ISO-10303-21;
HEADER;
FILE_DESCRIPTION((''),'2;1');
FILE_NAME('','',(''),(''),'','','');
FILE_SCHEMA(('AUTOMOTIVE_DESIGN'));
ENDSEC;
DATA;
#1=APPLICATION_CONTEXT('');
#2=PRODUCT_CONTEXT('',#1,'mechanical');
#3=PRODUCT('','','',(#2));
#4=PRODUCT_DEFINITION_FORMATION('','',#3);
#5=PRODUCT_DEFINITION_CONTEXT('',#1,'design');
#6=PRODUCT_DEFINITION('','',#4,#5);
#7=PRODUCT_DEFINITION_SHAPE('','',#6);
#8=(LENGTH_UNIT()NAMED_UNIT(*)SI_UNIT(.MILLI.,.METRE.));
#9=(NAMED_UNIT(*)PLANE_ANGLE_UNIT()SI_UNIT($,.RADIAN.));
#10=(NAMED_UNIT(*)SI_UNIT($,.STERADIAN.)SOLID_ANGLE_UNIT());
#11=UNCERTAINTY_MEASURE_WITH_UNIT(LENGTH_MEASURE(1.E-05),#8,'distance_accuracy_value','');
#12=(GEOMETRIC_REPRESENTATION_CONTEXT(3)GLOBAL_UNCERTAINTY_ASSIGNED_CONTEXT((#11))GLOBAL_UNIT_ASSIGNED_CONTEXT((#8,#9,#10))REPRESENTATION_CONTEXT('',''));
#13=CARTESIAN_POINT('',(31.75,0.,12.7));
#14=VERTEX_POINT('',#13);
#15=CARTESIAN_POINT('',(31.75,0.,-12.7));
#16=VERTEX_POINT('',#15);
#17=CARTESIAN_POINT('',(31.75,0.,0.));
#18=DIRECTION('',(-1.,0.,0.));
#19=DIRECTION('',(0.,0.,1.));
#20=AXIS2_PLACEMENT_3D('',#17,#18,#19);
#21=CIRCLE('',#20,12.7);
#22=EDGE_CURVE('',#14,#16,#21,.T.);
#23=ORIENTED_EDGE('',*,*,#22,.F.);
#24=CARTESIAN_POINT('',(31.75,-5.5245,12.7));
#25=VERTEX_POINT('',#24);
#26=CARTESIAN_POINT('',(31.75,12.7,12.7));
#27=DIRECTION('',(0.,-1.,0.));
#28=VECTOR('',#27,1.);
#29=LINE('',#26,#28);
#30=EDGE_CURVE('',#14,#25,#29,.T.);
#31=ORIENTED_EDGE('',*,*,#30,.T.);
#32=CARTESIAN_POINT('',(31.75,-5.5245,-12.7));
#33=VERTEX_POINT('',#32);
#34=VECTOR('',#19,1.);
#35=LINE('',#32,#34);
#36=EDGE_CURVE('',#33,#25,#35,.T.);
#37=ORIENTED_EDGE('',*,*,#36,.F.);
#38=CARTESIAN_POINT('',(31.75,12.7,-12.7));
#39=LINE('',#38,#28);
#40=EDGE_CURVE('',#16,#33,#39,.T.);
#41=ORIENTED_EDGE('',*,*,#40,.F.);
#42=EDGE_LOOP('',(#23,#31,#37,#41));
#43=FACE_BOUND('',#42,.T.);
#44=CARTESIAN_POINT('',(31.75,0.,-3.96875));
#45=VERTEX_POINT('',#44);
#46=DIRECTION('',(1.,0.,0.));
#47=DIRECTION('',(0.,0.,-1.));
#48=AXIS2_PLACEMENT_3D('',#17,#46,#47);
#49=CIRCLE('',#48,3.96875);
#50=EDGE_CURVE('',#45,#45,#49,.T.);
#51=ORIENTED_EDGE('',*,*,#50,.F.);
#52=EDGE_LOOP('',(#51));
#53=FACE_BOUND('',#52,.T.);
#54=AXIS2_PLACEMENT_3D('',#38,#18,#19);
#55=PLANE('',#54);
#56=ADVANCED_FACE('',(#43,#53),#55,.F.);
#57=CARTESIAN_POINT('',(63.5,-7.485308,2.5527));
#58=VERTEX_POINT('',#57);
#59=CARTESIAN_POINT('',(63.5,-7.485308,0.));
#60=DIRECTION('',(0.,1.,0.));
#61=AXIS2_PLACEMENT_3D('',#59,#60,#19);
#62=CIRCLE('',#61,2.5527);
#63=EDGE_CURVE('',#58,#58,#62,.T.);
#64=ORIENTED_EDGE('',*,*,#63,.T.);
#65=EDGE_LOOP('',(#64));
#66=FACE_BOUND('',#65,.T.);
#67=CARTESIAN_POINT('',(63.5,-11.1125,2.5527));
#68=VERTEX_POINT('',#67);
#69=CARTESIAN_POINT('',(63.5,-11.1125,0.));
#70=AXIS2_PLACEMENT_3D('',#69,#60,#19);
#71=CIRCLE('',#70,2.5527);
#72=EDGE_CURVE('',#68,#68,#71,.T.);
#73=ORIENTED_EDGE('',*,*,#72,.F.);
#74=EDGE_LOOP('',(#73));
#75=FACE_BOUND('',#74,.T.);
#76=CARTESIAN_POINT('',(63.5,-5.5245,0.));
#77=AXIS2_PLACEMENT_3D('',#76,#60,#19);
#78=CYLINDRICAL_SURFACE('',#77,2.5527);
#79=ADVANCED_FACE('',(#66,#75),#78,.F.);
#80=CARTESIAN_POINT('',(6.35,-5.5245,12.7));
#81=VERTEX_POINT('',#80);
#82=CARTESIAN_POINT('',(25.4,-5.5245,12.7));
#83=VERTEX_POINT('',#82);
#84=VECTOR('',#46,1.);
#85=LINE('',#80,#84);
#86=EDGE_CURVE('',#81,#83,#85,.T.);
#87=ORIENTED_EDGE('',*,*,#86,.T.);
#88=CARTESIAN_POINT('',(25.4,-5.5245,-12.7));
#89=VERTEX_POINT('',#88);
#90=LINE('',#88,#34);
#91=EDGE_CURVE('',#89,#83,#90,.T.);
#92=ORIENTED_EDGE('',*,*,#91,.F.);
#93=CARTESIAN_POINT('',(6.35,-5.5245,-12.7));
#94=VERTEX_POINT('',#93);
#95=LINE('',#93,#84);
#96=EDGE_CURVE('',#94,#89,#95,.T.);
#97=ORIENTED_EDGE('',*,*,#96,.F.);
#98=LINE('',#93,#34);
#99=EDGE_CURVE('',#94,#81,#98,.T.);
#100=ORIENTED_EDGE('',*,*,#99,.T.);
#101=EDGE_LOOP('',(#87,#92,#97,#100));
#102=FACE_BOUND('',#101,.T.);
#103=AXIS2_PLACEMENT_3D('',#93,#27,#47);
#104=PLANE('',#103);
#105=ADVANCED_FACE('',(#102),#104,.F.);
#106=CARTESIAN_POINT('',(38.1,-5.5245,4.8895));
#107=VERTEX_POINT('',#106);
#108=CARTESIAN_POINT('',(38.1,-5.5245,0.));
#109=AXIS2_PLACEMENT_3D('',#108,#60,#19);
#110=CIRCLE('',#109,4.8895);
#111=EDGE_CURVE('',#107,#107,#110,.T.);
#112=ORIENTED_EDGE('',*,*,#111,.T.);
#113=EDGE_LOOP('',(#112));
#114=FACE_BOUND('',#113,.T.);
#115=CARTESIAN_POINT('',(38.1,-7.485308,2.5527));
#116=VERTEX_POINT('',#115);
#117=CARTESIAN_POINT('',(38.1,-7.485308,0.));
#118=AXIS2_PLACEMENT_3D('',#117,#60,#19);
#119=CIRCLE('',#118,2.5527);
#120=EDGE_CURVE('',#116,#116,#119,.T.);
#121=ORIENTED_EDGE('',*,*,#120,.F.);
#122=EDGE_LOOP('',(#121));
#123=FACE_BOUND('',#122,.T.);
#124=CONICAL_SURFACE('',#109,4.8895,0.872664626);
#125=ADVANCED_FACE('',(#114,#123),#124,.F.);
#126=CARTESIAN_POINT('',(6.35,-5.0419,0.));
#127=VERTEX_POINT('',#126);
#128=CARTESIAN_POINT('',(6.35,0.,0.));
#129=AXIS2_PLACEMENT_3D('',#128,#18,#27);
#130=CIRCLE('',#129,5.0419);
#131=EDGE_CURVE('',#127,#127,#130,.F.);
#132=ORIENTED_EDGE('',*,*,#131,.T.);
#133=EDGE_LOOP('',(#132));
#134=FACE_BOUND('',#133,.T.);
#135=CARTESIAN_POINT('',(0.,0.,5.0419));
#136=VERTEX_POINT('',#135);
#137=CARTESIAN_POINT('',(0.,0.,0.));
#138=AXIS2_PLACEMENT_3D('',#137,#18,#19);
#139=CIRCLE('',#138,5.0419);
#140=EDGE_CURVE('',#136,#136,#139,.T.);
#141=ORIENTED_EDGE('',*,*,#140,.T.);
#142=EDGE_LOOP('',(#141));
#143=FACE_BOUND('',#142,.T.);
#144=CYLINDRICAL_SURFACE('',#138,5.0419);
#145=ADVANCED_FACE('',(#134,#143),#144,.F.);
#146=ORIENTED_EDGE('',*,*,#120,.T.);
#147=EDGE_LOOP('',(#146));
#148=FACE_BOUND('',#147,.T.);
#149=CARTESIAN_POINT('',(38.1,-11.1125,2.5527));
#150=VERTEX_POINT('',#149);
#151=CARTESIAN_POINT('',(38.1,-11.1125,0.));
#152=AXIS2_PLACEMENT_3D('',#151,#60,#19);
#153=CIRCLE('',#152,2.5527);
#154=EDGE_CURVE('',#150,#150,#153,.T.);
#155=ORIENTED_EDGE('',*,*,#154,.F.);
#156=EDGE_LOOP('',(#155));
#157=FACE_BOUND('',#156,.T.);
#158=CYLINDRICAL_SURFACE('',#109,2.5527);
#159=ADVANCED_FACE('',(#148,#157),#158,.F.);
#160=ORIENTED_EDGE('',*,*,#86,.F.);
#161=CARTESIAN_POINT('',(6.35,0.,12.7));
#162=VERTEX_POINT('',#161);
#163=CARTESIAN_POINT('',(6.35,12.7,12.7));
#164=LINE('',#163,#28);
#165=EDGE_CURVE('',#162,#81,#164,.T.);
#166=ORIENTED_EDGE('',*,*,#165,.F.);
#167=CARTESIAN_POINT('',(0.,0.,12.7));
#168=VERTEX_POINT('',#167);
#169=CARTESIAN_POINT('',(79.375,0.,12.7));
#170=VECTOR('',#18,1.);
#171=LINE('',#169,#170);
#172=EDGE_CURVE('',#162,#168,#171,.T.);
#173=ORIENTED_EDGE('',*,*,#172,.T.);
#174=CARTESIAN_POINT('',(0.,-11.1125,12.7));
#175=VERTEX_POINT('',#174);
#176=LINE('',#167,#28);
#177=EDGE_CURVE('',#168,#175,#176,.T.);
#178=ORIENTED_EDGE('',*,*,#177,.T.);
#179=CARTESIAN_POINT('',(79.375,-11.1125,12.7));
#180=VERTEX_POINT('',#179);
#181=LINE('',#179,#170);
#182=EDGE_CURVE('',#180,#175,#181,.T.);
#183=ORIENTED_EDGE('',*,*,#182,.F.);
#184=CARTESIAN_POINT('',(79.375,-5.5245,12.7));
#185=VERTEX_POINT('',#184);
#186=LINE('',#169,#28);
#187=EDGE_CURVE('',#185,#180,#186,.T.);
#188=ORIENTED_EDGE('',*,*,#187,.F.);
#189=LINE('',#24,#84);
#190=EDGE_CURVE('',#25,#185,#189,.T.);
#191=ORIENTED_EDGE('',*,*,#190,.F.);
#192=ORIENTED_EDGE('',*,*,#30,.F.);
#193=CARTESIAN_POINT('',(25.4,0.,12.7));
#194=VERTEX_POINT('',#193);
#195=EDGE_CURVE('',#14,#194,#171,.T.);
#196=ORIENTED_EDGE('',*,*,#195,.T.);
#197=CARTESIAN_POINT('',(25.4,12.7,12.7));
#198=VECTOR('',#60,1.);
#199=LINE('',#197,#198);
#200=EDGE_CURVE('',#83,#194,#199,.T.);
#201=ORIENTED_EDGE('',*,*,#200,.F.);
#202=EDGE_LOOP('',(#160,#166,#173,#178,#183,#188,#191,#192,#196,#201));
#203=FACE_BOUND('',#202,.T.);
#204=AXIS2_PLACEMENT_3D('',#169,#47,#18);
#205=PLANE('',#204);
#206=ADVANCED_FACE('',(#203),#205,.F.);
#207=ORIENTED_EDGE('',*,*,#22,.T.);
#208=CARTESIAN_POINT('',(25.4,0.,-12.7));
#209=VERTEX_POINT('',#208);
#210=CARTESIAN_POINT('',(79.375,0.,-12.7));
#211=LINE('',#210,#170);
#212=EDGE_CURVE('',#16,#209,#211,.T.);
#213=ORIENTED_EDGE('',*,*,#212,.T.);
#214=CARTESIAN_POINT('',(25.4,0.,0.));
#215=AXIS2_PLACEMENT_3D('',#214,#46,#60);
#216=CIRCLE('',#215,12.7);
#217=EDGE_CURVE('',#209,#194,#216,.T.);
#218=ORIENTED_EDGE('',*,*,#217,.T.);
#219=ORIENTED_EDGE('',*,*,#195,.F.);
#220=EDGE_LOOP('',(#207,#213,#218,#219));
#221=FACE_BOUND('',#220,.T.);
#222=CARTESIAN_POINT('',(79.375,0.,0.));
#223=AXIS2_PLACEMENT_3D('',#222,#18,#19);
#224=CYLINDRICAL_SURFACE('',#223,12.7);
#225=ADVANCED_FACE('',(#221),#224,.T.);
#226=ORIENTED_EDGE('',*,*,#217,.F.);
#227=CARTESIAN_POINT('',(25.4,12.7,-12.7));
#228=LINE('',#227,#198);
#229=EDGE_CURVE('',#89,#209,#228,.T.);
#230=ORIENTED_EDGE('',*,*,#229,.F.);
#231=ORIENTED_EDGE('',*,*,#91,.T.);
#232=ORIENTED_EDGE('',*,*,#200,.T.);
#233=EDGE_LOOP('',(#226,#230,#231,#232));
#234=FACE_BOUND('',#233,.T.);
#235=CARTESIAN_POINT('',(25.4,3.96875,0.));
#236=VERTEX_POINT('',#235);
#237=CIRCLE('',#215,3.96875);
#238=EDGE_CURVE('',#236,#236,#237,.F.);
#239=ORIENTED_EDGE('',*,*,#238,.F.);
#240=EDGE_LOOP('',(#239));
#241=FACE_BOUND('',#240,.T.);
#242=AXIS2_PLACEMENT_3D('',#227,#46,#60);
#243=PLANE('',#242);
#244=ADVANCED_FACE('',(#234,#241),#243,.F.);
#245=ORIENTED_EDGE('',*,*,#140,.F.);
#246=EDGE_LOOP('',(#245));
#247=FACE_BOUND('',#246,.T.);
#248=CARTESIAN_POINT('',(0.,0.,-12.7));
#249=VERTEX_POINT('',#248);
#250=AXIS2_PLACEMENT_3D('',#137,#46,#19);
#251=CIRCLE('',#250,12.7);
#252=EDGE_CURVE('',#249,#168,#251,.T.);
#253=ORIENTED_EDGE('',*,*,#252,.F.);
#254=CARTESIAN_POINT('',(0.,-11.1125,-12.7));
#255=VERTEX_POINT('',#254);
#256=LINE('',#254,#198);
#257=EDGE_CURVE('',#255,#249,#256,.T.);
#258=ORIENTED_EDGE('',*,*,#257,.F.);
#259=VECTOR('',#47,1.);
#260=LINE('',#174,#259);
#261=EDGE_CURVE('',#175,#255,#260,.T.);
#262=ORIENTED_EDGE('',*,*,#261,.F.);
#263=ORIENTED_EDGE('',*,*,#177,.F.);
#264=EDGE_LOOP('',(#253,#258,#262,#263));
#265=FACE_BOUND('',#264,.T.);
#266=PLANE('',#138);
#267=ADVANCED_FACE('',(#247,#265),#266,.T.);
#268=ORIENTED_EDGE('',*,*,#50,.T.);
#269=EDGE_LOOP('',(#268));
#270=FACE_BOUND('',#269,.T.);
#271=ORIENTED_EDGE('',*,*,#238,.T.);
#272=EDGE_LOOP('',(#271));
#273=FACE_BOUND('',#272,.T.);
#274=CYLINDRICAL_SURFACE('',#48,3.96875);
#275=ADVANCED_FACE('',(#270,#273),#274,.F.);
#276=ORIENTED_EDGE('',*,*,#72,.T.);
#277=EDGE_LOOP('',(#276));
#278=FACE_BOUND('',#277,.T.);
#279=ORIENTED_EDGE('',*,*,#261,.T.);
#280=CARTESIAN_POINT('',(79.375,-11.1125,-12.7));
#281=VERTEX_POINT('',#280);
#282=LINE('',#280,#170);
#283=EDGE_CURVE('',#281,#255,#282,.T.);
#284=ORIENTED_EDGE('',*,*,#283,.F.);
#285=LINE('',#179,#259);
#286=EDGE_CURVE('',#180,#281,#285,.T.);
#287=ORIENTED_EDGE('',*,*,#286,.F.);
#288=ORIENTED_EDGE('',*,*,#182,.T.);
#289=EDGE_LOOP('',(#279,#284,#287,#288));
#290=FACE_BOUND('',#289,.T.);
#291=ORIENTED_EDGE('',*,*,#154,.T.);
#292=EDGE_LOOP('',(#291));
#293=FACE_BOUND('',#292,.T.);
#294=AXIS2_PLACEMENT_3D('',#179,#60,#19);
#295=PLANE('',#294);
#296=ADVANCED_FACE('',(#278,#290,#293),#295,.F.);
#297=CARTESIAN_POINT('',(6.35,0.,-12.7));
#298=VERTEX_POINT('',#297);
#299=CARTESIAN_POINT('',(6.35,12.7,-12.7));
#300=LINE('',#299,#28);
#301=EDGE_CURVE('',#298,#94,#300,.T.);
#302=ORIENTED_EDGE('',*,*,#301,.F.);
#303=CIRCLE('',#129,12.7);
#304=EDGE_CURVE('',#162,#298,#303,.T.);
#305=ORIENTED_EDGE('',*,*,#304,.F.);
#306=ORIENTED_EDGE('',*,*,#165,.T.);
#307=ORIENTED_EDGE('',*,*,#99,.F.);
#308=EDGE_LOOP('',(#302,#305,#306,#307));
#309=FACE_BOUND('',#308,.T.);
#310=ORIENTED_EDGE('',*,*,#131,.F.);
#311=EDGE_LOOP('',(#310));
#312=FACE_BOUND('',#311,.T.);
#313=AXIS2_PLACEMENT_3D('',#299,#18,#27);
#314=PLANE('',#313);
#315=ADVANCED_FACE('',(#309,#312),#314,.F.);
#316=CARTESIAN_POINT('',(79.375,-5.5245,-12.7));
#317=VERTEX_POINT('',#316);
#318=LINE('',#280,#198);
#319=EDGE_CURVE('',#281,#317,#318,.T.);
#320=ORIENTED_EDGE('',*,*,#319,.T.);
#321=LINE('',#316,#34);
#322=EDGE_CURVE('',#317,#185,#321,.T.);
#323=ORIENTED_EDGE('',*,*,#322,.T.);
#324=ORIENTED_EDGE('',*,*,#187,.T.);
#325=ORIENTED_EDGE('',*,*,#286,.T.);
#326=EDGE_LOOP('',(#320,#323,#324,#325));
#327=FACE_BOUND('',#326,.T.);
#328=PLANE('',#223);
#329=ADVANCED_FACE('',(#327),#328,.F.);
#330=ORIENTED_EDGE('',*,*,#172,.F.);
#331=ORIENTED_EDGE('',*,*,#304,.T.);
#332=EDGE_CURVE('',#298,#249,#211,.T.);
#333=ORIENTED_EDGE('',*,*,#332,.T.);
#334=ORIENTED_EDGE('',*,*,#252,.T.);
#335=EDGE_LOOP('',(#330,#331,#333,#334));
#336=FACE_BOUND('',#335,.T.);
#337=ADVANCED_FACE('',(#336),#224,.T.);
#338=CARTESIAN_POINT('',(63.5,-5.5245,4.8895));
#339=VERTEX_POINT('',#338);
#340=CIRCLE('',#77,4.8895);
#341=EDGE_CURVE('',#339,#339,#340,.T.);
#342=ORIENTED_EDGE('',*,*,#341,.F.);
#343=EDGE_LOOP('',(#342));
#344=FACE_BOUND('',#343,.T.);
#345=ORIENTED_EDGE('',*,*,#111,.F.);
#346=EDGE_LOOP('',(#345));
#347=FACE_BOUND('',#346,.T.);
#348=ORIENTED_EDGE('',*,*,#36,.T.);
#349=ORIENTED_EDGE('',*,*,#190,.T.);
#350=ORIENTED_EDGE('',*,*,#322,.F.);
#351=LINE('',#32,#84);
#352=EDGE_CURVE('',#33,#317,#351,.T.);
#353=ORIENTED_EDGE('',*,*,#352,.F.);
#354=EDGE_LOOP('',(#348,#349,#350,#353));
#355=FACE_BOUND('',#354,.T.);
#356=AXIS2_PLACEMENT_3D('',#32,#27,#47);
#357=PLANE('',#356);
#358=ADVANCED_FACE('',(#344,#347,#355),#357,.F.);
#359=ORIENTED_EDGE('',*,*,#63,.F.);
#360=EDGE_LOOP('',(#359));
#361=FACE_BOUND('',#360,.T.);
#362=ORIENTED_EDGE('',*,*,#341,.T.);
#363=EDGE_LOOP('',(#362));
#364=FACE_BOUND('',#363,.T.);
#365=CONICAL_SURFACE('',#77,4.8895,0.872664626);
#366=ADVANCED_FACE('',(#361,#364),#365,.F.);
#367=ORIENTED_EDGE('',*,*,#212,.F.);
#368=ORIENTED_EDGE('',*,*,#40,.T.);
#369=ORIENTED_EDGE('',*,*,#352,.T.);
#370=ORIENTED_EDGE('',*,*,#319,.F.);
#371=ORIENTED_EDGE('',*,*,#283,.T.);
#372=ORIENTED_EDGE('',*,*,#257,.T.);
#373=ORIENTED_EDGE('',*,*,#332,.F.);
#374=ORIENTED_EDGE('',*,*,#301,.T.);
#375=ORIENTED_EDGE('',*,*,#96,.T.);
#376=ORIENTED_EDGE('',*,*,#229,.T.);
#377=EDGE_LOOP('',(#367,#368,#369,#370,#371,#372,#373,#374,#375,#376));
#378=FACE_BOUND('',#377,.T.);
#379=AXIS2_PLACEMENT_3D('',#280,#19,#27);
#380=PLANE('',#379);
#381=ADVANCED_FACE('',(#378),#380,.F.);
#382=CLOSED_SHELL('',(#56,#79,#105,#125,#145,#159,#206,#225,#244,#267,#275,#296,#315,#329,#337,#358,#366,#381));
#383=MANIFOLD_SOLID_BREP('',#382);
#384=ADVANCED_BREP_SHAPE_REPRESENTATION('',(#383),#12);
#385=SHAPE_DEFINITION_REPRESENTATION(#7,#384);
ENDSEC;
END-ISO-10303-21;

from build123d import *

# Parameters (mm, degrees)
SKETCH1_R                                          = 1.5875
BOSS_EXTRUDE1_DEPTH                                = 79.375
SKETCH2_W                                          = 19.05
SKETCH2_H                                          = 18.2245
SKETCH2_W_2                                        = 47.625
CUT_EXTRUDE1_DEPTH                                 = 85.302079601
CSK_FOR_10_FLAT_HEAD_MACHINE_SCREW_100_D           = 5.1054
CSK_FOR_10_FLAT_HEAD_MACHINE_SCREW_100_CSINK_D     = 9.779
CSK_FOR_10_FLAT_HEAD_MACHINE_SCREW_100_CSINK_ANGLE = 100
TAP_DRILL_FOR_3_8_16_TAP1_REACH                    = 52.899
TAP_DRILL_FOR_3_8_16_TAP1_BORE_R                   = 3.96875
F_3_8_CLEARANCE_HOLE1_REACH                        = 83.382
F_3_8_CLEARANCE_HOLE1_BORE_R                       = 5.0419


with BuildPart() as part:
    # Sketch1 → Boss-Extrude1 (new body)
    with BuildSketch(Plane(origin=(0, 0, 0), x_dir=(0, 0, -1), z_dir=(1, 0, 0))):
        with BuildLine():
            Line((-12.7, 0), (-12.7, -11.1125))
            Line((-12.7, -11.1125), (12.7, -11.1125))
            Line((12.7, -11.1125), (12.7, 0))
            ThreePointArc((12.7, 0), (0, 12.7), (-12.7, 0))
        make_face()
        with Locations(Location((0, 0, 0), (0, 0, 180))):
            Circle(SKETCH1_R, mode=Mode.SUBTRACT)
    extrude(amount=BOSS_EXTRUDE1_DEPTH)

    # Sketch2 → Cut-Extrude1 (cut, through all)
    with BuildSketch(Plane.XY.offset(12.7)):
        with Locations((15.875, 3.58775)):
            Rectangle(SKETCH2_W, SKETCH2_H)
        with Locations((55.5625, 3.58775)):
            Rectangle(SKETCH2_W_2, SKETCH2_H)
    extrude(amount=-CUT_EXTRUDE1_DEPTH, mode=Mode.SUBTRACT)

    # CSK for _10 Flat Head Machine Screw _100 (through all)
    with Locations(Plane(origin=(0, -5.5245, 0), x_dir=(1, 0, 0), z_dir=(0, 1, 0))):
        with Locations((38.1, 0), (63.5, 0)):
            CounterSinkHole(CSK_FOR_10_FLAT_HEAD_MACHINE_SCREW_100_D / 2, CSK_FOR_10_FLAT_HEAD_MACHINE_SCREW_100_CSINK_D / 2, counter_sink_angle=CSK_FOR_10_FLAT_HEAD_MACHINE_SCREW_100_CSINK_ANGLE)

    # Tap Drill for 3/8-16 Tap1 bore → Tap Drill for 3/8-16 Tap1 (cut, up to next)
    with BuildSketch(Plane(origin=(31.75, 0, 0), x_dir=(0, 0, -1), z_dir=(1, 0, 0)), mode=Mode.PRIVATE) as tap_drill_for_3_8_16_tap1_sk1:
        Circle(TAP_DRILL_FOR_3_8_16_TAP1_BORE_R)
    tap_drill_for_3_8_16_tap1_tool1 = extrude(tap_drill_for_3_8_16_tap1_sk1.sketch, amount=-TAP_DRILL_FOR_3_8_16_TAP1_REACH, mode=Mode.PRIVATE) & part.part
    add(tap_drill_for_3_8_16_tap1_tool1.solids().sort_by_distance((31.75, 0, 0))[0], mode=Mode.SUBTRACT)

    # 3/8 Clearance Hole1 bore → 3/8 Clearance Hole1 (cut, up to next)
    with BuildSketch(Plane.ZY, mode=Mode.PRIVATE) as f_3_8_clearance_hole1_sk1:
        Circle(F_3_8_CLEARANCE_HOLE1_BORE_R)
    f_3_8_clearance_hole1_tool1 = extrude(f_3_8_clearance_hole1_sk1.sketch, amount=-F_3_8_CLEARANCE_HOLE1_REACH, mode=Mode.PRIVATE) & part.part
    add(f_3_8_clearance_hole1_tool1.solids().sort_by_distance((0, 0, 0))[0], mode=Mode.SUBTRACT)


solid = part.part
